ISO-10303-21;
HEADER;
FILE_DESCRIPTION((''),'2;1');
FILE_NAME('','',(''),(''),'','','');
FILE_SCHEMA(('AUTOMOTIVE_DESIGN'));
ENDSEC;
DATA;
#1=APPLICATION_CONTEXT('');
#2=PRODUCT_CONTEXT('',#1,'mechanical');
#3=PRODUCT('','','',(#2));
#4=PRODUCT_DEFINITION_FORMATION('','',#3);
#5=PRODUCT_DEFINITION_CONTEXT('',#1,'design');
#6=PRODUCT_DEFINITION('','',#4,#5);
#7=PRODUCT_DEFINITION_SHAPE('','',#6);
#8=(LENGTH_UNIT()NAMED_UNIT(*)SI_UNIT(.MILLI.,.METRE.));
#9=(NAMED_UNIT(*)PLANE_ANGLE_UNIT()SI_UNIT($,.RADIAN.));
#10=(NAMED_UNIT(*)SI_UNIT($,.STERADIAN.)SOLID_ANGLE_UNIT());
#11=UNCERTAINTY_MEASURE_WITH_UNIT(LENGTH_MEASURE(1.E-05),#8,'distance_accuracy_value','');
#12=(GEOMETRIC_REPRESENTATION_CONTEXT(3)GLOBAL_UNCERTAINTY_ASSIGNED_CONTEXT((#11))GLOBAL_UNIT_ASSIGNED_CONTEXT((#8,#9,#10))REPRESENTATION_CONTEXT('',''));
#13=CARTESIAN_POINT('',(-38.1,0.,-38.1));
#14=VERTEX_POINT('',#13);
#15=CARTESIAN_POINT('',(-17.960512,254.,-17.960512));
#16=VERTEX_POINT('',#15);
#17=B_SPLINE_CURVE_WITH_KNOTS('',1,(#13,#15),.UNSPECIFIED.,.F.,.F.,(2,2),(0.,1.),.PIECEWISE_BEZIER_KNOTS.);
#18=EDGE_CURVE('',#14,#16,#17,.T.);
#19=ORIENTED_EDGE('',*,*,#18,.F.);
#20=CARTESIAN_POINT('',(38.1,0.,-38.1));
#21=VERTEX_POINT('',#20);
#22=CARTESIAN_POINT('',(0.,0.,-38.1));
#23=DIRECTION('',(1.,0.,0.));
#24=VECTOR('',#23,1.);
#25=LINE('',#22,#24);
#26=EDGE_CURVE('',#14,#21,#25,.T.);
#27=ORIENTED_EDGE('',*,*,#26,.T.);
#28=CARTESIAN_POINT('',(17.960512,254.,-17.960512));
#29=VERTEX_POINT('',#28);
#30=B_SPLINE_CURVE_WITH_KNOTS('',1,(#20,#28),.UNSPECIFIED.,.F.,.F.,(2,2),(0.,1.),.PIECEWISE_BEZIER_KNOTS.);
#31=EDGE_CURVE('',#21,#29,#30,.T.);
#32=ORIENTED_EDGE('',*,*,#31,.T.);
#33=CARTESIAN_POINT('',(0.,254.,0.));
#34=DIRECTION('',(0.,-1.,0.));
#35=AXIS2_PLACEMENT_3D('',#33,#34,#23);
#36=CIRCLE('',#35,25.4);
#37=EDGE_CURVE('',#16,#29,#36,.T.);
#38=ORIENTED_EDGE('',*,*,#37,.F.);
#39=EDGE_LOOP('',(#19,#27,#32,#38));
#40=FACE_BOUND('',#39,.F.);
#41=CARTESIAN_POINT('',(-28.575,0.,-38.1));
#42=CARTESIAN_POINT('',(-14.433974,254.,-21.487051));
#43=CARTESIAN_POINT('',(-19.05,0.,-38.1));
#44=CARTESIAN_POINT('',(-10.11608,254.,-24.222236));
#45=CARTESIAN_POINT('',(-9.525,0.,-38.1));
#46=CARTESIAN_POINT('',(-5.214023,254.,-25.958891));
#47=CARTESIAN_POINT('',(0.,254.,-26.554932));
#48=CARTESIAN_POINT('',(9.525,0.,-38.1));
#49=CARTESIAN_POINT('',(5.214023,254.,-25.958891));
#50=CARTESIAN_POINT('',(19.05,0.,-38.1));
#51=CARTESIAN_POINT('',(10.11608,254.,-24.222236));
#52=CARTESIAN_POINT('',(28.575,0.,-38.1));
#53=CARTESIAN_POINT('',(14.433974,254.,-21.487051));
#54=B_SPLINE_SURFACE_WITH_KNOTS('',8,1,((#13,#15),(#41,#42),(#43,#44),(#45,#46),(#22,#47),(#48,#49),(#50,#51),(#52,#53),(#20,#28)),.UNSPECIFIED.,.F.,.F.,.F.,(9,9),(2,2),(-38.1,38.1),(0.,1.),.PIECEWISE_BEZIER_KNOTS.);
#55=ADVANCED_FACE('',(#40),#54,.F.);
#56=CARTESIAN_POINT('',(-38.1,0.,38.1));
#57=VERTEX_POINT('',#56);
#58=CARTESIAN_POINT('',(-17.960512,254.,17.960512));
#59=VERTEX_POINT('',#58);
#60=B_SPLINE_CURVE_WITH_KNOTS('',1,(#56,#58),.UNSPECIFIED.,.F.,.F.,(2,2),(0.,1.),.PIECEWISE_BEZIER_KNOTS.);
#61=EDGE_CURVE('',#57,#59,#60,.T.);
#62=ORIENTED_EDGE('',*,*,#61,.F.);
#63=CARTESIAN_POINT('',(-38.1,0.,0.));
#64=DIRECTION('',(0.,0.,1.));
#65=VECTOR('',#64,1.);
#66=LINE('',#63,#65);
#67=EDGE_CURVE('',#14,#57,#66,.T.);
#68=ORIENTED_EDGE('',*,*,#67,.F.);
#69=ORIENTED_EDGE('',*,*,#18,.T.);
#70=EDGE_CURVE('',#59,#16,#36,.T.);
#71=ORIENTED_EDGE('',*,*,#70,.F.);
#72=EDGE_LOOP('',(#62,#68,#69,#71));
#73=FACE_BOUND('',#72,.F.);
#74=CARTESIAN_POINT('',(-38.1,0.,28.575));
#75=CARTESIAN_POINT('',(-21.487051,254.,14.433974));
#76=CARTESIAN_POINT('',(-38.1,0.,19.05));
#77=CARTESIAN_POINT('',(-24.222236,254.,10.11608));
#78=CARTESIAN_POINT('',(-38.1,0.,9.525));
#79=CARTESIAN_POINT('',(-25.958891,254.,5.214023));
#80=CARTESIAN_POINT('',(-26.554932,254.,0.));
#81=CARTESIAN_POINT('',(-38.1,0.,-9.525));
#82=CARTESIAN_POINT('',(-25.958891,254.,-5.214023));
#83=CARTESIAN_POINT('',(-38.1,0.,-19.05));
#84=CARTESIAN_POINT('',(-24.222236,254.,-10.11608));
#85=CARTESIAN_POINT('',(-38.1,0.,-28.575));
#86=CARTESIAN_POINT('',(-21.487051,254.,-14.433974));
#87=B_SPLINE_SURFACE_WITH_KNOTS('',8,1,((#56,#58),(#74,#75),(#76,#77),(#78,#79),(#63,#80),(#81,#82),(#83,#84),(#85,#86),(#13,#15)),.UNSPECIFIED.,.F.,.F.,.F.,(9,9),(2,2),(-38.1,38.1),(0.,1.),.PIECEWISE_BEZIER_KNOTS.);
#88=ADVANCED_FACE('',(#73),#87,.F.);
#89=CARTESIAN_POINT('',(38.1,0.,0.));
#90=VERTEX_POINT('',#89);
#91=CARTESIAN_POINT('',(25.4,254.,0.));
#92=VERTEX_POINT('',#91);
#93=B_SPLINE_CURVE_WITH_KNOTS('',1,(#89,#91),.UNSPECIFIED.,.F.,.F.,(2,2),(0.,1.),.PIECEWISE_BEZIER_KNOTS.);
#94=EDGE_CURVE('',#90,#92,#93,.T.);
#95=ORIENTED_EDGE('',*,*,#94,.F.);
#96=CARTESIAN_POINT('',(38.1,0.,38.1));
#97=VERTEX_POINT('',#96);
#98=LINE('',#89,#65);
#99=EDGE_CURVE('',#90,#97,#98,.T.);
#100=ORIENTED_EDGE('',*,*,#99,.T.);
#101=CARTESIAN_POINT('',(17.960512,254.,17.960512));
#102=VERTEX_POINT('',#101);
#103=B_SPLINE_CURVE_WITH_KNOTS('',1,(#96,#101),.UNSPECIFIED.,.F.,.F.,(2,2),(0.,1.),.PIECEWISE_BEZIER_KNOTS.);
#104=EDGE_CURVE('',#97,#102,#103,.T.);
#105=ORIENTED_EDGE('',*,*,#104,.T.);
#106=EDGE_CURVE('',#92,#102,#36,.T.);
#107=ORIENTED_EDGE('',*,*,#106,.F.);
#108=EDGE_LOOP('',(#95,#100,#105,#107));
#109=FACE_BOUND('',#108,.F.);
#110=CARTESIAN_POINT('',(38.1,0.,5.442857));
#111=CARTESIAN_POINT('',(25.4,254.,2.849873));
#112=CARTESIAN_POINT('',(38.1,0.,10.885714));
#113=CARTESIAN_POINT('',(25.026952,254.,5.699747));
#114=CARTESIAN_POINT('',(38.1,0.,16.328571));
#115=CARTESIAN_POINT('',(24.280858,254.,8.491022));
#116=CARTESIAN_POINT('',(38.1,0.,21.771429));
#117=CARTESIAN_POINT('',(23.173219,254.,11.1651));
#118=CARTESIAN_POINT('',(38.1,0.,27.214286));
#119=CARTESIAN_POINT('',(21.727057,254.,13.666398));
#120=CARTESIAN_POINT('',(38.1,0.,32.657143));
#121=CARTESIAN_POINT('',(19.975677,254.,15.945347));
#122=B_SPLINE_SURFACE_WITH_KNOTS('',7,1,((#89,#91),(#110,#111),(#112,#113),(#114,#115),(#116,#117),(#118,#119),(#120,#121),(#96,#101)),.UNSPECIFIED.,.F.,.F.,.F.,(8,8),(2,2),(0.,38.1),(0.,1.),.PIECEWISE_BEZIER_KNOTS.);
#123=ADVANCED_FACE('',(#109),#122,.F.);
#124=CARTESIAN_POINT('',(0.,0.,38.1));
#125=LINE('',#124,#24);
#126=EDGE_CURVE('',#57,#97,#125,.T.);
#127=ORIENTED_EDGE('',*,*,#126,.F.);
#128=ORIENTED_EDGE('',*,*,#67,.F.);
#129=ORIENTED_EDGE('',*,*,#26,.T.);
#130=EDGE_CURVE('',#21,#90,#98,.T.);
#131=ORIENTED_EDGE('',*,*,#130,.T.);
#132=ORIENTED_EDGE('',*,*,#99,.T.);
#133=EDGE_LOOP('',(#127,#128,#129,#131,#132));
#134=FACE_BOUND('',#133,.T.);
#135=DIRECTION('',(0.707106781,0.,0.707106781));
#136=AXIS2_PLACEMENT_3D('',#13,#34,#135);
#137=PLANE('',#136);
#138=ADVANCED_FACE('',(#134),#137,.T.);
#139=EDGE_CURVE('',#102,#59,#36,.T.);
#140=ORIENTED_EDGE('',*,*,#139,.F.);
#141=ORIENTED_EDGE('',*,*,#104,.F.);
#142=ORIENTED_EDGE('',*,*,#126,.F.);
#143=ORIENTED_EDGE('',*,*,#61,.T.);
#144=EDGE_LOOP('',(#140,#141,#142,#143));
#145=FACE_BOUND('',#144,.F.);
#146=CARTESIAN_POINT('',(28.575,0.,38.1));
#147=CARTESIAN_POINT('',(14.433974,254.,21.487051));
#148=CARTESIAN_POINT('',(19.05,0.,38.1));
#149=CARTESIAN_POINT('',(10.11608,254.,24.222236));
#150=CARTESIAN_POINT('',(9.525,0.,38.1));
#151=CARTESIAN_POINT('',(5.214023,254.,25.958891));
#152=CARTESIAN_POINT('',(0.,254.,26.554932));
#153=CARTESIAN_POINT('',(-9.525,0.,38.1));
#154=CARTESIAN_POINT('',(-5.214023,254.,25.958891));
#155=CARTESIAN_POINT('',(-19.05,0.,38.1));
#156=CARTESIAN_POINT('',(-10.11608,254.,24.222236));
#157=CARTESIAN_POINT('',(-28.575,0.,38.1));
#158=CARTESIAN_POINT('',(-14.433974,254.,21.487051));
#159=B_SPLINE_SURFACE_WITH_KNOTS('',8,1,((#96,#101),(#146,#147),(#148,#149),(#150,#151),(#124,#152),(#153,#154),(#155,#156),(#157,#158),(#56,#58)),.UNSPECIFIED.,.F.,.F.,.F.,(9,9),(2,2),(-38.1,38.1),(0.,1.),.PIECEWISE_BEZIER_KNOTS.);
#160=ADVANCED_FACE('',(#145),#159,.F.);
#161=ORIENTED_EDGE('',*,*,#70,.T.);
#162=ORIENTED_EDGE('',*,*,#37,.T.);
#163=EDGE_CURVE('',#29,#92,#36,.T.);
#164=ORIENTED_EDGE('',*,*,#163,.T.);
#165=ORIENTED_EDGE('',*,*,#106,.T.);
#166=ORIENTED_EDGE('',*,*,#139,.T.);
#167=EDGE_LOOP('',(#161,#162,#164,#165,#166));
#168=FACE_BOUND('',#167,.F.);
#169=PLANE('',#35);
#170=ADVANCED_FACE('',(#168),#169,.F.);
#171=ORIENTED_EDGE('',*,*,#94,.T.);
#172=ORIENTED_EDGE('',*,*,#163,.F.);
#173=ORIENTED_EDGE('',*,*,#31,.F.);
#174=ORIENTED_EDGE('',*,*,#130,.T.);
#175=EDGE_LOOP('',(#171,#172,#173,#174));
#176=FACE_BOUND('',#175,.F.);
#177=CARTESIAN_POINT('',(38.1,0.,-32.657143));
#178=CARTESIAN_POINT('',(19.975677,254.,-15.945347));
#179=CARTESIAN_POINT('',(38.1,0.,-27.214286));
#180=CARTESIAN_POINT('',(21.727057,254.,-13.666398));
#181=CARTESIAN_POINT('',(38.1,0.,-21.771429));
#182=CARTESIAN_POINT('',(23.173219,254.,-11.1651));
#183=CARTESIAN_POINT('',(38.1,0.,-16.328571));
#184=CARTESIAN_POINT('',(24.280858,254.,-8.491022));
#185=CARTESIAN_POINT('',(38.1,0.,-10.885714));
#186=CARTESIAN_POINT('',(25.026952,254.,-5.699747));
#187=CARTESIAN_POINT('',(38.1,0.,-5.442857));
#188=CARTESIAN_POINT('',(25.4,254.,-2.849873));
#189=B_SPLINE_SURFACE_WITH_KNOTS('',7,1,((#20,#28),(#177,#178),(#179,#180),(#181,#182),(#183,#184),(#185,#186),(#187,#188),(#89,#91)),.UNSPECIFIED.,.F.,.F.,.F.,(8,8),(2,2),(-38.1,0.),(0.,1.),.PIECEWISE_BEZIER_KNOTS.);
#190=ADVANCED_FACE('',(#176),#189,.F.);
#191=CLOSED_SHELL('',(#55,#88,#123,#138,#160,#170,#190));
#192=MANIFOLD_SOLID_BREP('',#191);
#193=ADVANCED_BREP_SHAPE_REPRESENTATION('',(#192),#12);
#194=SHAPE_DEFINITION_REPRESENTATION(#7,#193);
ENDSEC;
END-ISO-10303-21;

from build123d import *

# Parameters (mm, degrees)
F0_W = 76.2
F0_H = 76.2
F2_R = 25.4


with BuildPart() as f3:
    # F0 (on Front) → F3 section 0
    with BuildSketch(Plane.XZ):
        Rectangle(F0_W, F0_H)
    # F2 (on offset) → F3 section 1
    with BuildSketch(Plane.XZ.offset(-254)):
        Circle(F2_R)
    loft()


solid = f3.part
